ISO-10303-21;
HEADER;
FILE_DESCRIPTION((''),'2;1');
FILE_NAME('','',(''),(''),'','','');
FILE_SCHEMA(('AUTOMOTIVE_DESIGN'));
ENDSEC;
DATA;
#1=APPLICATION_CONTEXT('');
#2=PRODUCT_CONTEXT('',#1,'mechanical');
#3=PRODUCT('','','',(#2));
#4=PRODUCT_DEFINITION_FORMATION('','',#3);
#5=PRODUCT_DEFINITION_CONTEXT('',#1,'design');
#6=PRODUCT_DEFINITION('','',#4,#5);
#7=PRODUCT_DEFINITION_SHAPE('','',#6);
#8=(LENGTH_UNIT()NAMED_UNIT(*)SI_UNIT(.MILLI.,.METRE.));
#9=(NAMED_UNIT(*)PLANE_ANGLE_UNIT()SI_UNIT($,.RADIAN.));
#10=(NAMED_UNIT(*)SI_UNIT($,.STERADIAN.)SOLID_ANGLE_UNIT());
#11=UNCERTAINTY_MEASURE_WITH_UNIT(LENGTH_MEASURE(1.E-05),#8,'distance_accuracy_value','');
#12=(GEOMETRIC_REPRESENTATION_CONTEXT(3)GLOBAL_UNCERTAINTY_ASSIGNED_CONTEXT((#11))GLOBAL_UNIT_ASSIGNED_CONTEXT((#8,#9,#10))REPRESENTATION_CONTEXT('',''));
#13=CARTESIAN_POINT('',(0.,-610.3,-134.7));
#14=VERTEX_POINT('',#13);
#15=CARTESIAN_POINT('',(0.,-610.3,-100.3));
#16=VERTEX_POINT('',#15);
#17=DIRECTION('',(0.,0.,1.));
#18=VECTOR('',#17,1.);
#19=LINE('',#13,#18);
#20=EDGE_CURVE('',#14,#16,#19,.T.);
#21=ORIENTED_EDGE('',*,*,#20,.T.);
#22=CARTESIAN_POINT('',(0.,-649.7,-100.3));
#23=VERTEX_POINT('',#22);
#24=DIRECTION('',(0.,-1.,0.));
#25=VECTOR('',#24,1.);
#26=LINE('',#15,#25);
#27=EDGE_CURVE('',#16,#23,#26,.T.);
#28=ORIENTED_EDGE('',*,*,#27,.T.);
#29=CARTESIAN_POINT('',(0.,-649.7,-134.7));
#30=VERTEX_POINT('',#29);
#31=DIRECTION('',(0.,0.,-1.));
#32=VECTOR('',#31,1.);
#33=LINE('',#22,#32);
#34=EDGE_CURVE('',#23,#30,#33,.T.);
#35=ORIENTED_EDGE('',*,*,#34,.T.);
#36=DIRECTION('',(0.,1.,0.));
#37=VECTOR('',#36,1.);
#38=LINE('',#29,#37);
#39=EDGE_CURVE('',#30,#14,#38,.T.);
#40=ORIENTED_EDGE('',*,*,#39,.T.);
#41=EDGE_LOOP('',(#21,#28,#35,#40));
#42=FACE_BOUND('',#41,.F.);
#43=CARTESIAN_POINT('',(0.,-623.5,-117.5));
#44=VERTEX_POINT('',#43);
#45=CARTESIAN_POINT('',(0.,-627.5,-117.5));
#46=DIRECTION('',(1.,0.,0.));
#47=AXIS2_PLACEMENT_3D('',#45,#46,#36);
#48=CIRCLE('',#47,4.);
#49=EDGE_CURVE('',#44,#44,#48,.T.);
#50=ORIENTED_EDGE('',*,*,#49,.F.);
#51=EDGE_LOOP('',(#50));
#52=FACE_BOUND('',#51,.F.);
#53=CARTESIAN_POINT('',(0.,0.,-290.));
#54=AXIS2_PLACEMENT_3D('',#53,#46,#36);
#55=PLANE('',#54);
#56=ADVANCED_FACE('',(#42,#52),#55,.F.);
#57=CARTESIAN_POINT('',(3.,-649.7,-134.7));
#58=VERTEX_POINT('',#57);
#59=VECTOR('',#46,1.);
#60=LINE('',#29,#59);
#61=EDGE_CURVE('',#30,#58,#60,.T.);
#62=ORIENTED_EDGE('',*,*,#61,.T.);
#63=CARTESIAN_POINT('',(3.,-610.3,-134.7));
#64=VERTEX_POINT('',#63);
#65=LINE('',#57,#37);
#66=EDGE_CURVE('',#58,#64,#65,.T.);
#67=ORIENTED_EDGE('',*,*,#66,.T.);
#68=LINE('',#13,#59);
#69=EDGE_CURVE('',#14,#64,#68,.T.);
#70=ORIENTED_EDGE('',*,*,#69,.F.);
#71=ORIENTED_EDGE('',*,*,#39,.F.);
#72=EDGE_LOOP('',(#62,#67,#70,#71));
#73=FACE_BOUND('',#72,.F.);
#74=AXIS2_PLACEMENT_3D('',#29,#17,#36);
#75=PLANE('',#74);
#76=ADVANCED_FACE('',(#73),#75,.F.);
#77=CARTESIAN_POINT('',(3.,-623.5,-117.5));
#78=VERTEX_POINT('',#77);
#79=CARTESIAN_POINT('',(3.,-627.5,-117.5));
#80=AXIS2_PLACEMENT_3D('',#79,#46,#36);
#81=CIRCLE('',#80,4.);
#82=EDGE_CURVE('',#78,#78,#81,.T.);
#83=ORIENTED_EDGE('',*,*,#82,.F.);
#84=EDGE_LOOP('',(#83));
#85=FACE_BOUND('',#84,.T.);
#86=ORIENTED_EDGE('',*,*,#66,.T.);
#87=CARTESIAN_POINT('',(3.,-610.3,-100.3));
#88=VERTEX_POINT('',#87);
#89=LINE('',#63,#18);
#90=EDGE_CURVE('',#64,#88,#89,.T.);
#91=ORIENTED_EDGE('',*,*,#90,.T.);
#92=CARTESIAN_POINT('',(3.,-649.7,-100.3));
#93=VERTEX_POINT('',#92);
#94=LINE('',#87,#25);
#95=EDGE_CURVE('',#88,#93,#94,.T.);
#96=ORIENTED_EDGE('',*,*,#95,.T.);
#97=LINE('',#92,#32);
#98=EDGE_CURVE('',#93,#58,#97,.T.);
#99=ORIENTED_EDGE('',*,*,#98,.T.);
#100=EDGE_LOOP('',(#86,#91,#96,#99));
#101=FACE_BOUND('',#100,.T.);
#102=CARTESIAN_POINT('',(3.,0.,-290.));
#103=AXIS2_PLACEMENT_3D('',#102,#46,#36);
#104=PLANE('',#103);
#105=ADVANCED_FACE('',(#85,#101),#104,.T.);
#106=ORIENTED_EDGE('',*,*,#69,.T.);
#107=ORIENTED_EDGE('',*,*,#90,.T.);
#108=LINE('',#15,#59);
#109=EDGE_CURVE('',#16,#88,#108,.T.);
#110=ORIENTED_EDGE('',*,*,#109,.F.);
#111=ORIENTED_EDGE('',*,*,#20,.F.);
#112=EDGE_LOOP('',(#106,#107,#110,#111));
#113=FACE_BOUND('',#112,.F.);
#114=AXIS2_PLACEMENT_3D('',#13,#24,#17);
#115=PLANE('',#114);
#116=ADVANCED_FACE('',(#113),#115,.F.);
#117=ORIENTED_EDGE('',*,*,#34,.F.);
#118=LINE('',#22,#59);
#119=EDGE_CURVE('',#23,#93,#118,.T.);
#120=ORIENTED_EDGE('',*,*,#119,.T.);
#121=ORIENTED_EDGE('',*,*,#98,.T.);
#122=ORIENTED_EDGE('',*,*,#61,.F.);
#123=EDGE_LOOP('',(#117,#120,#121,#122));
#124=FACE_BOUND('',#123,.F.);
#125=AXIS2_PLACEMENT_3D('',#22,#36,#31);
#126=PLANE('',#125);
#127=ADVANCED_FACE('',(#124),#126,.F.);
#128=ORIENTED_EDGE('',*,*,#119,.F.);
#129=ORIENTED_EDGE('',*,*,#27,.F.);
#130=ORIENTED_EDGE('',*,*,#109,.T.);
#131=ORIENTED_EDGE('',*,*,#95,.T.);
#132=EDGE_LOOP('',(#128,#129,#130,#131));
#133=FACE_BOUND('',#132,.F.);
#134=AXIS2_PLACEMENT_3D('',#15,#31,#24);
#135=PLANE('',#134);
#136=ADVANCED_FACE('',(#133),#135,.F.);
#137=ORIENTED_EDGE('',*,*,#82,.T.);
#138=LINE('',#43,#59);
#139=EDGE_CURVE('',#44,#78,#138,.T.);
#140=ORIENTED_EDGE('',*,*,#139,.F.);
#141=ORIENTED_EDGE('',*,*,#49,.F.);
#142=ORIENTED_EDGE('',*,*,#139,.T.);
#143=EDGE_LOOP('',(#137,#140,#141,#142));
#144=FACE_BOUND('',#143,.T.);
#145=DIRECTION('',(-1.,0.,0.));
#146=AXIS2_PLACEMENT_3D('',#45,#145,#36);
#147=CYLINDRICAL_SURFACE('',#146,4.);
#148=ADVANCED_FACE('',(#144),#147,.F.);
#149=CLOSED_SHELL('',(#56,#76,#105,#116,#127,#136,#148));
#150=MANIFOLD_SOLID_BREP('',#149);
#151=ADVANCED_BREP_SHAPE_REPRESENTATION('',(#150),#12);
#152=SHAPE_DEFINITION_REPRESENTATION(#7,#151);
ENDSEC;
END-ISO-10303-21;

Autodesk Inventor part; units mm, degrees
ref_plane "YZ Plane" through (0, 0, 0) normal (1, 0, 0) x (0, 1, 0)
ref_plane "XZ Plane" through (0, 0, 0) normal (0, 1, 0) x (-1, 0, 0)
ref_plane "XY Plane" through (0, 0, 0) normal (0, 0, 1) x (1, 0, 0)
ref_plane "Work Plane1" through (0, 0, -290) normal (1, 0, 0) x (0, 1, 0)
sketch "Sketch1" plane through (0, 0, -290) normal (1, 0, 0) x (0, 1, 0)
  circle A0 centre (-627.5, 172.5) radius 11 construction
  circle A1 centre (-627.5, 172.5) radius 4 construction
  line L0 (-655, 150) -> (-605, 150)
  line L1 (-605, 150) -> (-605, 195)
  line L2 (-605, 195) -> (-655, 195)
  line L3 (-655, 195) -> (-655, 150)
  circle A2 centre (-627.5, 172.5) radius 16 construction
  line L4 (0, 0) -> (-700, 0) projected
  line L5 (-700, -55) -> (-700, 580) projected
  circle A3 centre (-627.5, 172.5) radius 4
  line L6 (-649.7, 155.3) -> (-610.3, 155.3)
  line L7 (-610.3, 155.3) -> (-610.3, 189.7)
  line L8 (-610.3, 189.7) -> (-649.7, 189.7)
  line L9 (-649.7, 189.7) -> (-649.7, 155.3)
  point P0 (0, 290)
  dimension "d0" = 22
  dimension "d1" = 8
  dimension "d2" = 45
  dimension "d3" = 50
  dimension "d4" = 5
  dimension "d7" = 22.5
  dimension "d8" = 22.5
  dimension "d10" = 5.3
  dimension "d13" = 150
  dimension "d14" = 95
extrude "Extrusion1" add sketch "Sketch1" along normal blind 3 contours L9 L8 L7 L6
properties part number "cord roller"
